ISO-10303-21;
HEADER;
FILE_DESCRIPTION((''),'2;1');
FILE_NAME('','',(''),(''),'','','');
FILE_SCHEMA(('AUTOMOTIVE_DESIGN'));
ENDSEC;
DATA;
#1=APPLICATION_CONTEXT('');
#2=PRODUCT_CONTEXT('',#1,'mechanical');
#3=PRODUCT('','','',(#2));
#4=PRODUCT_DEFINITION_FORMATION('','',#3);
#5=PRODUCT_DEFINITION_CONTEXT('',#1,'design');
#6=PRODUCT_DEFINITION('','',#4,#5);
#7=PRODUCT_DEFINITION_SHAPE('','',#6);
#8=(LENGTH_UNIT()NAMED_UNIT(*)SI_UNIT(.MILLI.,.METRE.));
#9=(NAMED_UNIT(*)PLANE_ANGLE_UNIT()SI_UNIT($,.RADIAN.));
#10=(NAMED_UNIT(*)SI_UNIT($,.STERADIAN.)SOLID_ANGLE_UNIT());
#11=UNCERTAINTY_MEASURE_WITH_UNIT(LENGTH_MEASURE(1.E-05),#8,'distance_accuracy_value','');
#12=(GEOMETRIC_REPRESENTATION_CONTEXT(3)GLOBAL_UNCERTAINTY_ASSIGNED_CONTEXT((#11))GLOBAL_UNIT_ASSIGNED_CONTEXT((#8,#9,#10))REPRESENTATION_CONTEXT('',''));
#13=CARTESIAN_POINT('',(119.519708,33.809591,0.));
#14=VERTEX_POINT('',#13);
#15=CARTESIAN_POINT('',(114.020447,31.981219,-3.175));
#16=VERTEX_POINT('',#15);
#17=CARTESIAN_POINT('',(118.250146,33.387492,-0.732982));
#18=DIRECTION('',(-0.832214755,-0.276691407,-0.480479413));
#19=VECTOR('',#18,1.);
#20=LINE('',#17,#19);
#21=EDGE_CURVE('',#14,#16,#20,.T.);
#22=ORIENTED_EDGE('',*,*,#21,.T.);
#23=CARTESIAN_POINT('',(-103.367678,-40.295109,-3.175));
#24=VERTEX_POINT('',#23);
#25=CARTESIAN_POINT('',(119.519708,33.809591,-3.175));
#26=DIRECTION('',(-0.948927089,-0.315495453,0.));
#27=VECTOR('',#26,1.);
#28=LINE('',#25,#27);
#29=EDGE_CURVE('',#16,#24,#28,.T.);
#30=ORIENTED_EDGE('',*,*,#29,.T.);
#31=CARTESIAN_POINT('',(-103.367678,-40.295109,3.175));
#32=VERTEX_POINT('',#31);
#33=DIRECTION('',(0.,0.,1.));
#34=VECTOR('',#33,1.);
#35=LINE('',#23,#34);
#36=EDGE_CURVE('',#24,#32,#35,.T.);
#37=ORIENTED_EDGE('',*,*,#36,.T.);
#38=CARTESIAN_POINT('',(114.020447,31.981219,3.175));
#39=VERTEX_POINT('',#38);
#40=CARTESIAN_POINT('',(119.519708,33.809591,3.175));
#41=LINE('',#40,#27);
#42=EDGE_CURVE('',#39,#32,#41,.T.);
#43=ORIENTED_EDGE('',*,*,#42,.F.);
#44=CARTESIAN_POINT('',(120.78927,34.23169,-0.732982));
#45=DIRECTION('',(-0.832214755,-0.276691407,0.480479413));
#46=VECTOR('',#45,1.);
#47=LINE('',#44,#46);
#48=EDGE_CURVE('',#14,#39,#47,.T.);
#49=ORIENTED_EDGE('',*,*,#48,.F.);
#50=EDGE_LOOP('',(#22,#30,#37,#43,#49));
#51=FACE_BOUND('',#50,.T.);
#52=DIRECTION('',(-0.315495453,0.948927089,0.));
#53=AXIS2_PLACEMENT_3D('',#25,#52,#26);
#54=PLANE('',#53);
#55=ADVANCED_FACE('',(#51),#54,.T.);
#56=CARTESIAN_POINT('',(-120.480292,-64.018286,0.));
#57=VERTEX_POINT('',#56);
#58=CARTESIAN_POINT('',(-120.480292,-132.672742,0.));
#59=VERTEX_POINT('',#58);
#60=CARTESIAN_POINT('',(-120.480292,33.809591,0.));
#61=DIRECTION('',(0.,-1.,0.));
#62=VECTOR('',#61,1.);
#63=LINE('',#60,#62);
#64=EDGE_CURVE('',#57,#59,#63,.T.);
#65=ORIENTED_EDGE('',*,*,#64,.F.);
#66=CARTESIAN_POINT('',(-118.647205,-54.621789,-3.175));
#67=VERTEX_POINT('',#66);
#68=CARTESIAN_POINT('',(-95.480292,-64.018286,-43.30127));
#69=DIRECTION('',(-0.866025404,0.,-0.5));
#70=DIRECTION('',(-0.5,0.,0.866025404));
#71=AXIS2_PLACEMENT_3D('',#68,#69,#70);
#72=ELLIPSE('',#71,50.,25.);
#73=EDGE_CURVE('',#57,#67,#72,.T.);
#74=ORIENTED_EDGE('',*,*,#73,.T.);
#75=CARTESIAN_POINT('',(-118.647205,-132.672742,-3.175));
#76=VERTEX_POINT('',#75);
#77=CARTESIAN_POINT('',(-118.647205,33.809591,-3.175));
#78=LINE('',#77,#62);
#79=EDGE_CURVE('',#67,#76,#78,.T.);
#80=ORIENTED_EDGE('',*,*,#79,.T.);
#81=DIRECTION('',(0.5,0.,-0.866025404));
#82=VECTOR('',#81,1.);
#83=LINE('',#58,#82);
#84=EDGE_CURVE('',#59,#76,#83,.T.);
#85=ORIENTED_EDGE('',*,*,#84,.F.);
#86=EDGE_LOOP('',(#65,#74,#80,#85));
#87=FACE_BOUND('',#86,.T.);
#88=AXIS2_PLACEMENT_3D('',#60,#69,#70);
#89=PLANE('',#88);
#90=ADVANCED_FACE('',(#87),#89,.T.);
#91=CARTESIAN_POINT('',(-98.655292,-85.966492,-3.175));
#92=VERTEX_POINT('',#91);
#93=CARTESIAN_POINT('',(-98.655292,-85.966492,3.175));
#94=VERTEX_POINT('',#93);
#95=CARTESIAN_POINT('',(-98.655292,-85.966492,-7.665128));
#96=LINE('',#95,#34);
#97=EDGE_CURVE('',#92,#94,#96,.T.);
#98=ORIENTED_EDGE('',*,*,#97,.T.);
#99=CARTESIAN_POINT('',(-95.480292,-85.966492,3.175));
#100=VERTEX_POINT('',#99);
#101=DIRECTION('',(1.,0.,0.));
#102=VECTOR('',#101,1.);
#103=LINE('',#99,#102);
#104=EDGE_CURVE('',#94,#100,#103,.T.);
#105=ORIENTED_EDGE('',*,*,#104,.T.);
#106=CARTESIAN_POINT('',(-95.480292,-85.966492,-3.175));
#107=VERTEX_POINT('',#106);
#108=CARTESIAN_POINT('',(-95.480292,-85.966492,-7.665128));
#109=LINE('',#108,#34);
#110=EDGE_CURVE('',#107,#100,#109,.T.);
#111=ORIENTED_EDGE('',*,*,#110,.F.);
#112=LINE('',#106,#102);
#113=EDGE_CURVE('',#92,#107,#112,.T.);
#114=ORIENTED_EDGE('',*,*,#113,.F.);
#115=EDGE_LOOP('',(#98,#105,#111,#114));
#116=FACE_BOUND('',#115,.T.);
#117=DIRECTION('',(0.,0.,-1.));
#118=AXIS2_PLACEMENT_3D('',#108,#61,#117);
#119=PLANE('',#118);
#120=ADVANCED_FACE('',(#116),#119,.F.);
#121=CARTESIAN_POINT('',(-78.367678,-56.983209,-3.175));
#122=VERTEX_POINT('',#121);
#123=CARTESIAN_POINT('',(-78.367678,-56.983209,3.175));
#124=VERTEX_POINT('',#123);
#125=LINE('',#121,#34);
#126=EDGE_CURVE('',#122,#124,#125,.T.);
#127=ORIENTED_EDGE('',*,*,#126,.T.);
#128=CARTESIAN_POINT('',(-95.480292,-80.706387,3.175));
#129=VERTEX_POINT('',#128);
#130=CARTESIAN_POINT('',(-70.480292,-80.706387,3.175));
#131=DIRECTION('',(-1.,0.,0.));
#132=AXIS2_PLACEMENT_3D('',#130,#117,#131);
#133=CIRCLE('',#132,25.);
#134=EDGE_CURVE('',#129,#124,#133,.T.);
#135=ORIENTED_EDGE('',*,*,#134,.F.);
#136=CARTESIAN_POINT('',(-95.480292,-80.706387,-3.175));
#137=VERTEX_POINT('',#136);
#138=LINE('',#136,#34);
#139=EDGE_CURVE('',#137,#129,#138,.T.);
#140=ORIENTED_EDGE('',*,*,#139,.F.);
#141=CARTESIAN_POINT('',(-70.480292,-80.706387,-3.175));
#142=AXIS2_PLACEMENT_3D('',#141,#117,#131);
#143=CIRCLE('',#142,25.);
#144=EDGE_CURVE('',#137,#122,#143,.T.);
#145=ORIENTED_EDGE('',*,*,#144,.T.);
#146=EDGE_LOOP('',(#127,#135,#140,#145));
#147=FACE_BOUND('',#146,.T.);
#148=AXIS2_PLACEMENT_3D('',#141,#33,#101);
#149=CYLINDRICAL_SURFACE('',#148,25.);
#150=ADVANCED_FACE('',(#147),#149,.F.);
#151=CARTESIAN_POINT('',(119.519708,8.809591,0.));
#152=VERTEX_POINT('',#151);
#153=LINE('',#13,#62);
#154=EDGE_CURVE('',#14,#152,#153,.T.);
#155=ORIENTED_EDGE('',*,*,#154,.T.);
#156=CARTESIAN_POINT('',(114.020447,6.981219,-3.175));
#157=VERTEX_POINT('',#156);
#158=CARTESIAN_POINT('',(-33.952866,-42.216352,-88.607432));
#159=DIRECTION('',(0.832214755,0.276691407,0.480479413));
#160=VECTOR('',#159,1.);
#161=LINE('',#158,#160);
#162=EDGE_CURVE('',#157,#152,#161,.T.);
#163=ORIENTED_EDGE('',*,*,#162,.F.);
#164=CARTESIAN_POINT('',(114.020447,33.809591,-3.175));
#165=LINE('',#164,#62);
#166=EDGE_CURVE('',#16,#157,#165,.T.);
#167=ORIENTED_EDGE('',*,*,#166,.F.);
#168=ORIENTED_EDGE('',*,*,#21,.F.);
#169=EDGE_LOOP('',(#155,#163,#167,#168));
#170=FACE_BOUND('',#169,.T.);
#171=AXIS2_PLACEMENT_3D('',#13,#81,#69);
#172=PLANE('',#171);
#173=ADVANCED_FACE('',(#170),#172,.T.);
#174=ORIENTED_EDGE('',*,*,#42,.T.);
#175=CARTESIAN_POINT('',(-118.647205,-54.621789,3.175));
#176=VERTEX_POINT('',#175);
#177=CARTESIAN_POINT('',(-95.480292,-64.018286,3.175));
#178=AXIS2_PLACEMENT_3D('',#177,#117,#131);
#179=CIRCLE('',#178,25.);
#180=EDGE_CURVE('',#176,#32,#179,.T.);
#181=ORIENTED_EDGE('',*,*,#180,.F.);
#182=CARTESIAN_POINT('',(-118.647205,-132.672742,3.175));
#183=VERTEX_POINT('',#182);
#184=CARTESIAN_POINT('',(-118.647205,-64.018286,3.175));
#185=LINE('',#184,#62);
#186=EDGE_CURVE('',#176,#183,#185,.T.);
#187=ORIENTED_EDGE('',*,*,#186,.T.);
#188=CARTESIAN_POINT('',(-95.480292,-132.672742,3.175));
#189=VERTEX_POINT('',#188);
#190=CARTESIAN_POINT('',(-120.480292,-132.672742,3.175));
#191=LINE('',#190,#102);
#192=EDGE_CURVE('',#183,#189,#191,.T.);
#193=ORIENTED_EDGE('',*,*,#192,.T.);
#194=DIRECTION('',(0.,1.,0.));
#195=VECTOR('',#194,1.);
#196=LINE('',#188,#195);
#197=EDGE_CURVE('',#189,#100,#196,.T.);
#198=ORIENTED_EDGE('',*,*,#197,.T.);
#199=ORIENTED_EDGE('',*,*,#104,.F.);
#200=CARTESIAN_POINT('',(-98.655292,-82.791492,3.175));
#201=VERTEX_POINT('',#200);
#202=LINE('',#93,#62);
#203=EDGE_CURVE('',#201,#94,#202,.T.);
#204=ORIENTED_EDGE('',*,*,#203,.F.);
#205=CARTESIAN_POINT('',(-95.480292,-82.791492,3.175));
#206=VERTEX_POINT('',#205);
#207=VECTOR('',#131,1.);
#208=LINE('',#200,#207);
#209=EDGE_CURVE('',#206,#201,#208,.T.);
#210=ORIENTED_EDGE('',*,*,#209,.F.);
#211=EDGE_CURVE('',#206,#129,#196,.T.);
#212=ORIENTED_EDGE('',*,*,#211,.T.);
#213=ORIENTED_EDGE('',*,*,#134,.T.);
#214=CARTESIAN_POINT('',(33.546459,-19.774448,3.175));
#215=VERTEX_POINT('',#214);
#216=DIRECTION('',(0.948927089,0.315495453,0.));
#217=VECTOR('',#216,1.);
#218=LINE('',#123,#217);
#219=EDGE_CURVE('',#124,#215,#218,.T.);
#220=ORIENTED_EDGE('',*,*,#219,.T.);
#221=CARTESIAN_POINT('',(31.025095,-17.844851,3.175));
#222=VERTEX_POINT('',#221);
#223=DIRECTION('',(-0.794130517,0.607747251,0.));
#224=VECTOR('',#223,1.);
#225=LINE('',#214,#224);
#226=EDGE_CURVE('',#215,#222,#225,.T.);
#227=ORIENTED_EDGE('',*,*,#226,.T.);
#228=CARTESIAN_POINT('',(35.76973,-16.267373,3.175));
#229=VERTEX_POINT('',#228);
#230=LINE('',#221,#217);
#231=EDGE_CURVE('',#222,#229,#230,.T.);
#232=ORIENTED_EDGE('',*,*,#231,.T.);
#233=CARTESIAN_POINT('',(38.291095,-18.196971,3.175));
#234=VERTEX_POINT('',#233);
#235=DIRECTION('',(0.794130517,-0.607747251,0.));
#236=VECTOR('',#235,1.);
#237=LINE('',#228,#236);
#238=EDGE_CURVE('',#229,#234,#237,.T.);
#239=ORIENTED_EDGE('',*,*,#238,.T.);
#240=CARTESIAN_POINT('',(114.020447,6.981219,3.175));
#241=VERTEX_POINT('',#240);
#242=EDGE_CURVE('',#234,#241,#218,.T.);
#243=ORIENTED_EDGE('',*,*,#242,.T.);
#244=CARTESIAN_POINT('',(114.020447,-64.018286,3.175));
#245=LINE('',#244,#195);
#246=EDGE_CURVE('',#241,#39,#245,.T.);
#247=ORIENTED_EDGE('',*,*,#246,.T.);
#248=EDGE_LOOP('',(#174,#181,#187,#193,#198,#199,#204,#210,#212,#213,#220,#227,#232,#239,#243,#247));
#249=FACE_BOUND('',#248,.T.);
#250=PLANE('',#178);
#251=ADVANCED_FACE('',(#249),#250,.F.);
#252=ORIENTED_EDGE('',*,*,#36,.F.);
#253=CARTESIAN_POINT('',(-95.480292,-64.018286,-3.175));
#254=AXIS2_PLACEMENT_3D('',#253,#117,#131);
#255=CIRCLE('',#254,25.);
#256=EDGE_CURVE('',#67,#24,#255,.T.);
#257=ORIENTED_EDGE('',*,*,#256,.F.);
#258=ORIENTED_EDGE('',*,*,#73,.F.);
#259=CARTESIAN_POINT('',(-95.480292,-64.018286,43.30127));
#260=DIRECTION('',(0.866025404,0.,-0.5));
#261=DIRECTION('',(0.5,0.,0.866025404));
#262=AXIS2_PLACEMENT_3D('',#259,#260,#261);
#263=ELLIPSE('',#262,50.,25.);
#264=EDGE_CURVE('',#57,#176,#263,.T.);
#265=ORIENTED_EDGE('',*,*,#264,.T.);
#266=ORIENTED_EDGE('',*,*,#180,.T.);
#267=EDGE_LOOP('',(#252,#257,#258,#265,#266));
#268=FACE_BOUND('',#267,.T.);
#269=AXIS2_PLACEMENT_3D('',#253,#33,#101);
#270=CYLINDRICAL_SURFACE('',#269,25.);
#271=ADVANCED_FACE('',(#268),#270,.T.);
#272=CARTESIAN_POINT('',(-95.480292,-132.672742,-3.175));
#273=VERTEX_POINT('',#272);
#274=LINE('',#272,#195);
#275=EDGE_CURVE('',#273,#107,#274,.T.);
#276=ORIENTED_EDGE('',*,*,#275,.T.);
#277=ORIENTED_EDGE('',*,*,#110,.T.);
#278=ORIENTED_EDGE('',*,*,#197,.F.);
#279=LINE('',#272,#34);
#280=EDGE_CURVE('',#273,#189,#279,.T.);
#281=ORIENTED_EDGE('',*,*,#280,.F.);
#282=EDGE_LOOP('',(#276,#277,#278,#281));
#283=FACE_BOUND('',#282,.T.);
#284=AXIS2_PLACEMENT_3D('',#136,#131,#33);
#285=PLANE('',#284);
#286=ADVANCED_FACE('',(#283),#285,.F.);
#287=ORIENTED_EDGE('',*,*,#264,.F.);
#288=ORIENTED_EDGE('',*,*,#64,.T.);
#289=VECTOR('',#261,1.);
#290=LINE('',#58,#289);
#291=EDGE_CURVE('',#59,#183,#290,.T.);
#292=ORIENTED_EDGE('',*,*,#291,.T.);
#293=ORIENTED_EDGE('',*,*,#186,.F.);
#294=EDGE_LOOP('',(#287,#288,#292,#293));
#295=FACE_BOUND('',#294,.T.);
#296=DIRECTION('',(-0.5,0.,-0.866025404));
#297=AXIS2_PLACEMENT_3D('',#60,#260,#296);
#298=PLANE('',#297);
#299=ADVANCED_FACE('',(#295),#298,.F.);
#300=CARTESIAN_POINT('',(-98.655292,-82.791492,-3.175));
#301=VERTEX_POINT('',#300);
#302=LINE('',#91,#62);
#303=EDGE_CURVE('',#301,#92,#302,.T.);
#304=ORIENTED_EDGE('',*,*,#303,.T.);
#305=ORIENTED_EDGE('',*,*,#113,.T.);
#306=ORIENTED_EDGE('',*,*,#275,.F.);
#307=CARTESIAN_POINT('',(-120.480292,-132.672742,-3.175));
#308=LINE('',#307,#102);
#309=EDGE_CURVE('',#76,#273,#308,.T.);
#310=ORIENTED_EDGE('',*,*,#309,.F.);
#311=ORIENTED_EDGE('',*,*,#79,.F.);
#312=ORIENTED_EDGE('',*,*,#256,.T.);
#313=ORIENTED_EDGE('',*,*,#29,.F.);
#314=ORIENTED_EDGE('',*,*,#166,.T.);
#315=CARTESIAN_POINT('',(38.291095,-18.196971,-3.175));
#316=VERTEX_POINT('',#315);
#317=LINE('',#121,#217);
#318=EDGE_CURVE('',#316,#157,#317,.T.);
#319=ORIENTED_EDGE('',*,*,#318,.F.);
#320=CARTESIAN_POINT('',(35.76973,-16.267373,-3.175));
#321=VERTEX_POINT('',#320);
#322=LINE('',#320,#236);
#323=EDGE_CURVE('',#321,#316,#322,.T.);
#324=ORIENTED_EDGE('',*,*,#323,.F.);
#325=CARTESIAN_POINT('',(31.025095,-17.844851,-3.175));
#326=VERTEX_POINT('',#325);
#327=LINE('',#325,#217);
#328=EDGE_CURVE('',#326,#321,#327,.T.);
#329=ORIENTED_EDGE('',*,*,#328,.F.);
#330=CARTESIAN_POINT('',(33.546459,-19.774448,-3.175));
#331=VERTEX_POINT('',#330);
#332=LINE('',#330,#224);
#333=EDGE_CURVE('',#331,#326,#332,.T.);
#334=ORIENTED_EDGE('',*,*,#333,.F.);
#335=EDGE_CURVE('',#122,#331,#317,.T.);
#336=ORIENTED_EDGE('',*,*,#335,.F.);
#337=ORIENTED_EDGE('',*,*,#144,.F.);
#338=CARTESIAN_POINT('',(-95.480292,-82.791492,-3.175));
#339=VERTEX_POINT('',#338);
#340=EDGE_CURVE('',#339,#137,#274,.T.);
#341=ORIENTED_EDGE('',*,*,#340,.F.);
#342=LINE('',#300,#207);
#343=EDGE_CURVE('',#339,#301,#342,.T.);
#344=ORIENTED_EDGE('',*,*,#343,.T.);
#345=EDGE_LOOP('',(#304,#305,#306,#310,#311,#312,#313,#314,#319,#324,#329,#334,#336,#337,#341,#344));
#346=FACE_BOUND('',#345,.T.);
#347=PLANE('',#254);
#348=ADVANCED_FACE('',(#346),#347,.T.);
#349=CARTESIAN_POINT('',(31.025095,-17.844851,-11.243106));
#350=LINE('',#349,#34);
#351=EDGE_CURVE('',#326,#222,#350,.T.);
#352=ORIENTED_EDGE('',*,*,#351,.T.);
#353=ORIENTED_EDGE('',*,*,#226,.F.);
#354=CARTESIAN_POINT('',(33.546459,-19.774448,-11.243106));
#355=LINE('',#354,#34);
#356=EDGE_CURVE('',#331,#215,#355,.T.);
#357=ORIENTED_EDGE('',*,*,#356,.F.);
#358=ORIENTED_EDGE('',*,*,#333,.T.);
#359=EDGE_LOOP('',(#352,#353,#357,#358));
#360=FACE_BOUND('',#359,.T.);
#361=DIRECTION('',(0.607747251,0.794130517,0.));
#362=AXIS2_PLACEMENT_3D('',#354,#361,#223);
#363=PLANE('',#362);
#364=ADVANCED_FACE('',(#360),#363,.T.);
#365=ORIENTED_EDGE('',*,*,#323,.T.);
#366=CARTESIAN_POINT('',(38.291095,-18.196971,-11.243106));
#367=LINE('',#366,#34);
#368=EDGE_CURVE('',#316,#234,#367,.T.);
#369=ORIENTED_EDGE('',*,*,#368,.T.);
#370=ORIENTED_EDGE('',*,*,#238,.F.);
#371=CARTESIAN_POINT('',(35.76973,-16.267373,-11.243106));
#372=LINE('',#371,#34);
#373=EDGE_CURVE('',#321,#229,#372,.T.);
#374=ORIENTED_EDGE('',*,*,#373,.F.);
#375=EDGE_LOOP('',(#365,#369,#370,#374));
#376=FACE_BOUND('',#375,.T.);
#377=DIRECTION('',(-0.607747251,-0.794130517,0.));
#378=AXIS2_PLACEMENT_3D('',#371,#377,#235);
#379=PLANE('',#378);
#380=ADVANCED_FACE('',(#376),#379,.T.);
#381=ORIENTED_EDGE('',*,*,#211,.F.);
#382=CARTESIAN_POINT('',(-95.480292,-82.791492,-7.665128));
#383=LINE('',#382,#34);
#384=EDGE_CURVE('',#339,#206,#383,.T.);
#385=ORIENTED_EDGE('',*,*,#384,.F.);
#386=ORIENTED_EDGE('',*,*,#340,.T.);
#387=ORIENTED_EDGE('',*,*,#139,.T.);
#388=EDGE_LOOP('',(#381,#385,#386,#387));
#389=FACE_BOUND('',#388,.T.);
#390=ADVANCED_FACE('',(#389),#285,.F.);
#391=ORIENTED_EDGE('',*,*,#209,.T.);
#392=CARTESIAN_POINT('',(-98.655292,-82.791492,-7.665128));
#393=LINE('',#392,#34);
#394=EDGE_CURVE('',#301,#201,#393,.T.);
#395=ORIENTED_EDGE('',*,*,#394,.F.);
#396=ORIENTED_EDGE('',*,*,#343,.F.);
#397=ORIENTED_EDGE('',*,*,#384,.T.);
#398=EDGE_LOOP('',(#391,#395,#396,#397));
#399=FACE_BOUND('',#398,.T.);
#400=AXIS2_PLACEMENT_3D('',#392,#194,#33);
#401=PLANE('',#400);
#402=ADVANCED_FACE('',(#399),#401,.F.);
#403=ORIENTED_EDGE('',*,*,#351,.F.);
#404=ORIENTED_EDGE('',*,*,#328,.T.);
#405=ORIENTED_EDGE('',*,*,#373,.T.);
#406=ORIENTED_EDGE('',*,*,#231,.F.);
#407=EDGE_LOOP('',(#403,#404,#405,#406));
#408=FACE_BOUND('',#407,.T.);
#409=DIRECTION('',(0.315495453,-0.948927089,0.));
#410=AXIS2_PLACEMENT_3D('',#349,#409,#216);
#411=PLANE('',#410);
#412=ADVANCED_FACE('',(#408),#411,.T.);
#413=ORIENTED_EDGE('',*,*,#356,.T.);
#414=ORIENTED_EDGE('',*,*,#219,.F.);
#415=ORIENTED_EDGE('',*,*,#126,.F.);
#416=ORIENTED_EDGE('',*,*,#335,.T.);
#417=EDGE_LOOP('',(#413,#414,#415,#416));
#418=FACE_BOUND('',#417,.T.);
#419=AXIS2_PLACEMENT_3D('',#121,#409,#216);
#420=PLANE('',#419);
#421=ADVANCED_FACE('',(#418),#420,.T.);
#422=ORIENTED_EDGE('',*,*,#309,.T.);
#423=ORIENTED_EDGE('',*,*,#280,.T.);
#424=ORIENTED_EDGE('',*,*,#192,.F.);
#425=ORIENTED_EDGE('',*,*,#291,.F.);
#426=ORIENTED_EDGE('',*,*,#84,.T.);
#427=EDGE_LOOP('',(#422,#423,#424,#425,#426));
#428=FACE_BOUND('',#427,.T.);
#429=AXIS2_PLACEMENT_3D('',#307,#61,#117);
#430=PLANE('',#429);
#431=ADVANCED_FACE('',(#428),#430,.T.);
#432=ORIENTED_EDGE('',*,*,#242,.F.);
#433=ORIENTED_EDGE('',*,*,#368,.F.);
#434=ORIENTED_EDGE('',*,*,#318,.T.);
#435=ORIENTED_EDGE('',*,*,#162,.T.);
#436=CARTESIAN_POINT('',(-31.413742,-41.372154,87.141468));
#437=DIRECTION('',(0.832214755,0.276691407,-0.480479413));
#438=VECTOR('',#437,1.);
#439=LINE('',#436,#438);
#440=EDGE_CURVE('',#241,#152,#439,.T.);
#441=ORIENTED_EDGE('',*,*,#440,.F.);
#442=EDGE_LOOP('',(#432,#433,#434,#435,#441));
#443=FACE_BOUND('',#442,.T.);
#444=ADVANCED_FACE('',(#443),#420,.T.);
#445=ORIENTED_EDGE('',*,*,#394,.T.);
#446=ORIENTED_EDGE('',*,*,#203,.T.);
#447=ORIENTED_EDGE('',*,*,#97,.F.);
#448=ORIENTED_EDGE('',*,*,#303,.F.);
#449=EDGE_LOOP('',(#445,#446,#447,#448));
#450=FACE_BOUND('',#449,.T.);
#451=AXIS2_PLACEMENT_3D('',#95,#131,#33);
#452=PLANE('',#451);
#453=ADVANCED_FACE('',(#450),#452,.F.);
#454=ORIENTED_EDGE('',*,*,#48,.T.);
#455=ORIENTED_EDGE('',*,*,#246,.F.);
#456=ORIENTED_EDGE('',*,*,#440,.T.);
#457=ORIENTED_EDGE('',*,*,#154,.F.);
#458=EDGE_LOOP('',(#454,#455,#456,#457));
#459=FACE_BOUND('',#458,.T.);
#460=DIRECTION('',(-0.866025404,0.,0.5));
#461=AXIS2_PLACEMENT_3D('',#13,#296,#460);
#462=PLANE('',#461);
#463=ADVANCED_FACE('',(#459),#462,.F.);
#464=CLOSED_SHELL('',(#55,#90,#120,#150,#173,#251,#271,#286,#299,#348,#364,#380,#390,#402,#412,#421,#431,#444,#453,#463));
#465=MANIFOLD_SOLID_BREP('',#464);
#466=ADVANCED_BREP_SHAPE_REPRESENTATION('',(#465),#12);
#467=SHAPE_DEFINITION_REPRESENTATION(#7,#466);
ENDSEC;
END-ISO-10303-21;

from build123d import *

# Parameters (mm, degrees)
BOSS_EXTRUDE1_DEPTH      = 3.175
BOSS_EXTRUDE1_DEPTH_BACK = 3.175
CUT_EXTRUDE3_DEPTH       = 206.528461822
CUT_EXTRUDE5_DEPTH       = 206.528461822
CUT_EXTRUDE6_DEPTH       = 6.35
SKETCH8_W                = 3.175
SKETCH8_H                = 3.175
CUT_EXTRUDE7_DEPTH       = 6.35


with BuildPart() as part:
    # Sketch1 → Boss-Extrude1 (new, two sides: drawn at the far end of the back side and taken through both)
    with BuildSketch(Plane.XY.offset(-BOSS_EXTRUDE1_DEPTH_BACK)):
        with BuildLine():
            Line((-95.480291898, -80.706386575), (-95.480291898, -131.085242165))
            Line((-95.480291898, -131.085242165), (-95.480291898, -132.672742165))
            Line((-95.480291898, -132.672742165), (-120.480291898, -132.672742165))
            Line((-120.480291898, -132.672742165), (-120.480291898, -131.085242165))
            Line((-120.480291898, -131.085242165), (-120.480291898, -64.018285781))
            ThreePointArc((-120.480291898, -64.018285781), (-115.755703828, -49.392703021), (-103.367678212, -40.295108567))
            Line((-103.367678212, -40.295108567), (119.519708102, 33.809591006))
            Line((119.519708102, 33.809591006), (119.519708102, 8.809591006))
            Line((119.519708102, 8.809591006), (-78.367678212, -56.983209361))
            ThreePointArc((-78.367678212, -56.983209361), (-90.755703828, -66.080803815), (-95.480291898, -80.706386575))
        make_face()
    extrude(amount=BOSS_EXTRUDE1_DEPTH + BOSS_EXTRUDE1_DEPTH_BACK)

    # Sketch2 → Cut-Extrude3 (cut, through all)
    with BuildSketch(Plane.XZ.offset(132.672742165)):
        Polygon((-120.480291898, 0), (-120.480291898, 3.175), (-118.647204793, 3.175), align=None)
    cut_extrude3 = extrude(amount=-CUT_EXTRUDE3_DEPTH, mode=Mode.SUBTRACT)

    # Mirror3: Cut-Extrude3 across plane
    add(cut_extrude3.mirror(Plane.XY), mode=Mode.SUBTRACT)

    # Sketch3 → Cut-Extrude5 (cut, through all)
    with BuildSketch(Plane.XZ.offset(132.672742165)):
        Polygon((119.519708102, 3.175), (114.020446788, 3.175), (119.519708102, 0), align=None)
    cut_extrude5 = extrude(amount=-CUT_EXTRUDE5_DEPTH, mode=Mode.SUBTRACT)

    # Mirror4: Cut-Extrude5 across plane
    add(cut_extrude5.mirror(Plane.XY), mode=Mode.SUBTRACT)

    # Sketch6 → Cut-Extrude6 (cut)
    with BuildSketch(Plane.XY.offset(3.175)):
        Polygon((33.546459297, -19.774448133), (38.29109474, -18.19697087), (35.769730347, -16.267373348), (31.025094904, -17.844850611), align=None)
    extrude(amount=-CUT_EXTRUDE6_DEPTH, mode=Mode.SUBTRACT)

    # Sketch8 → Cut-Extrude7 (cut)
    with BuildSketch(Plane.XY.offset(3.175)):
        with Locations((-97.067791898, -84.378992165)):
            Rectangle(SKETCH8_W, SKETCH8_H)
    extrude(amount=-CUT_EXTRUDE7_DEPTH, mode=Mode.SUBTRACT)


solid = part.part
